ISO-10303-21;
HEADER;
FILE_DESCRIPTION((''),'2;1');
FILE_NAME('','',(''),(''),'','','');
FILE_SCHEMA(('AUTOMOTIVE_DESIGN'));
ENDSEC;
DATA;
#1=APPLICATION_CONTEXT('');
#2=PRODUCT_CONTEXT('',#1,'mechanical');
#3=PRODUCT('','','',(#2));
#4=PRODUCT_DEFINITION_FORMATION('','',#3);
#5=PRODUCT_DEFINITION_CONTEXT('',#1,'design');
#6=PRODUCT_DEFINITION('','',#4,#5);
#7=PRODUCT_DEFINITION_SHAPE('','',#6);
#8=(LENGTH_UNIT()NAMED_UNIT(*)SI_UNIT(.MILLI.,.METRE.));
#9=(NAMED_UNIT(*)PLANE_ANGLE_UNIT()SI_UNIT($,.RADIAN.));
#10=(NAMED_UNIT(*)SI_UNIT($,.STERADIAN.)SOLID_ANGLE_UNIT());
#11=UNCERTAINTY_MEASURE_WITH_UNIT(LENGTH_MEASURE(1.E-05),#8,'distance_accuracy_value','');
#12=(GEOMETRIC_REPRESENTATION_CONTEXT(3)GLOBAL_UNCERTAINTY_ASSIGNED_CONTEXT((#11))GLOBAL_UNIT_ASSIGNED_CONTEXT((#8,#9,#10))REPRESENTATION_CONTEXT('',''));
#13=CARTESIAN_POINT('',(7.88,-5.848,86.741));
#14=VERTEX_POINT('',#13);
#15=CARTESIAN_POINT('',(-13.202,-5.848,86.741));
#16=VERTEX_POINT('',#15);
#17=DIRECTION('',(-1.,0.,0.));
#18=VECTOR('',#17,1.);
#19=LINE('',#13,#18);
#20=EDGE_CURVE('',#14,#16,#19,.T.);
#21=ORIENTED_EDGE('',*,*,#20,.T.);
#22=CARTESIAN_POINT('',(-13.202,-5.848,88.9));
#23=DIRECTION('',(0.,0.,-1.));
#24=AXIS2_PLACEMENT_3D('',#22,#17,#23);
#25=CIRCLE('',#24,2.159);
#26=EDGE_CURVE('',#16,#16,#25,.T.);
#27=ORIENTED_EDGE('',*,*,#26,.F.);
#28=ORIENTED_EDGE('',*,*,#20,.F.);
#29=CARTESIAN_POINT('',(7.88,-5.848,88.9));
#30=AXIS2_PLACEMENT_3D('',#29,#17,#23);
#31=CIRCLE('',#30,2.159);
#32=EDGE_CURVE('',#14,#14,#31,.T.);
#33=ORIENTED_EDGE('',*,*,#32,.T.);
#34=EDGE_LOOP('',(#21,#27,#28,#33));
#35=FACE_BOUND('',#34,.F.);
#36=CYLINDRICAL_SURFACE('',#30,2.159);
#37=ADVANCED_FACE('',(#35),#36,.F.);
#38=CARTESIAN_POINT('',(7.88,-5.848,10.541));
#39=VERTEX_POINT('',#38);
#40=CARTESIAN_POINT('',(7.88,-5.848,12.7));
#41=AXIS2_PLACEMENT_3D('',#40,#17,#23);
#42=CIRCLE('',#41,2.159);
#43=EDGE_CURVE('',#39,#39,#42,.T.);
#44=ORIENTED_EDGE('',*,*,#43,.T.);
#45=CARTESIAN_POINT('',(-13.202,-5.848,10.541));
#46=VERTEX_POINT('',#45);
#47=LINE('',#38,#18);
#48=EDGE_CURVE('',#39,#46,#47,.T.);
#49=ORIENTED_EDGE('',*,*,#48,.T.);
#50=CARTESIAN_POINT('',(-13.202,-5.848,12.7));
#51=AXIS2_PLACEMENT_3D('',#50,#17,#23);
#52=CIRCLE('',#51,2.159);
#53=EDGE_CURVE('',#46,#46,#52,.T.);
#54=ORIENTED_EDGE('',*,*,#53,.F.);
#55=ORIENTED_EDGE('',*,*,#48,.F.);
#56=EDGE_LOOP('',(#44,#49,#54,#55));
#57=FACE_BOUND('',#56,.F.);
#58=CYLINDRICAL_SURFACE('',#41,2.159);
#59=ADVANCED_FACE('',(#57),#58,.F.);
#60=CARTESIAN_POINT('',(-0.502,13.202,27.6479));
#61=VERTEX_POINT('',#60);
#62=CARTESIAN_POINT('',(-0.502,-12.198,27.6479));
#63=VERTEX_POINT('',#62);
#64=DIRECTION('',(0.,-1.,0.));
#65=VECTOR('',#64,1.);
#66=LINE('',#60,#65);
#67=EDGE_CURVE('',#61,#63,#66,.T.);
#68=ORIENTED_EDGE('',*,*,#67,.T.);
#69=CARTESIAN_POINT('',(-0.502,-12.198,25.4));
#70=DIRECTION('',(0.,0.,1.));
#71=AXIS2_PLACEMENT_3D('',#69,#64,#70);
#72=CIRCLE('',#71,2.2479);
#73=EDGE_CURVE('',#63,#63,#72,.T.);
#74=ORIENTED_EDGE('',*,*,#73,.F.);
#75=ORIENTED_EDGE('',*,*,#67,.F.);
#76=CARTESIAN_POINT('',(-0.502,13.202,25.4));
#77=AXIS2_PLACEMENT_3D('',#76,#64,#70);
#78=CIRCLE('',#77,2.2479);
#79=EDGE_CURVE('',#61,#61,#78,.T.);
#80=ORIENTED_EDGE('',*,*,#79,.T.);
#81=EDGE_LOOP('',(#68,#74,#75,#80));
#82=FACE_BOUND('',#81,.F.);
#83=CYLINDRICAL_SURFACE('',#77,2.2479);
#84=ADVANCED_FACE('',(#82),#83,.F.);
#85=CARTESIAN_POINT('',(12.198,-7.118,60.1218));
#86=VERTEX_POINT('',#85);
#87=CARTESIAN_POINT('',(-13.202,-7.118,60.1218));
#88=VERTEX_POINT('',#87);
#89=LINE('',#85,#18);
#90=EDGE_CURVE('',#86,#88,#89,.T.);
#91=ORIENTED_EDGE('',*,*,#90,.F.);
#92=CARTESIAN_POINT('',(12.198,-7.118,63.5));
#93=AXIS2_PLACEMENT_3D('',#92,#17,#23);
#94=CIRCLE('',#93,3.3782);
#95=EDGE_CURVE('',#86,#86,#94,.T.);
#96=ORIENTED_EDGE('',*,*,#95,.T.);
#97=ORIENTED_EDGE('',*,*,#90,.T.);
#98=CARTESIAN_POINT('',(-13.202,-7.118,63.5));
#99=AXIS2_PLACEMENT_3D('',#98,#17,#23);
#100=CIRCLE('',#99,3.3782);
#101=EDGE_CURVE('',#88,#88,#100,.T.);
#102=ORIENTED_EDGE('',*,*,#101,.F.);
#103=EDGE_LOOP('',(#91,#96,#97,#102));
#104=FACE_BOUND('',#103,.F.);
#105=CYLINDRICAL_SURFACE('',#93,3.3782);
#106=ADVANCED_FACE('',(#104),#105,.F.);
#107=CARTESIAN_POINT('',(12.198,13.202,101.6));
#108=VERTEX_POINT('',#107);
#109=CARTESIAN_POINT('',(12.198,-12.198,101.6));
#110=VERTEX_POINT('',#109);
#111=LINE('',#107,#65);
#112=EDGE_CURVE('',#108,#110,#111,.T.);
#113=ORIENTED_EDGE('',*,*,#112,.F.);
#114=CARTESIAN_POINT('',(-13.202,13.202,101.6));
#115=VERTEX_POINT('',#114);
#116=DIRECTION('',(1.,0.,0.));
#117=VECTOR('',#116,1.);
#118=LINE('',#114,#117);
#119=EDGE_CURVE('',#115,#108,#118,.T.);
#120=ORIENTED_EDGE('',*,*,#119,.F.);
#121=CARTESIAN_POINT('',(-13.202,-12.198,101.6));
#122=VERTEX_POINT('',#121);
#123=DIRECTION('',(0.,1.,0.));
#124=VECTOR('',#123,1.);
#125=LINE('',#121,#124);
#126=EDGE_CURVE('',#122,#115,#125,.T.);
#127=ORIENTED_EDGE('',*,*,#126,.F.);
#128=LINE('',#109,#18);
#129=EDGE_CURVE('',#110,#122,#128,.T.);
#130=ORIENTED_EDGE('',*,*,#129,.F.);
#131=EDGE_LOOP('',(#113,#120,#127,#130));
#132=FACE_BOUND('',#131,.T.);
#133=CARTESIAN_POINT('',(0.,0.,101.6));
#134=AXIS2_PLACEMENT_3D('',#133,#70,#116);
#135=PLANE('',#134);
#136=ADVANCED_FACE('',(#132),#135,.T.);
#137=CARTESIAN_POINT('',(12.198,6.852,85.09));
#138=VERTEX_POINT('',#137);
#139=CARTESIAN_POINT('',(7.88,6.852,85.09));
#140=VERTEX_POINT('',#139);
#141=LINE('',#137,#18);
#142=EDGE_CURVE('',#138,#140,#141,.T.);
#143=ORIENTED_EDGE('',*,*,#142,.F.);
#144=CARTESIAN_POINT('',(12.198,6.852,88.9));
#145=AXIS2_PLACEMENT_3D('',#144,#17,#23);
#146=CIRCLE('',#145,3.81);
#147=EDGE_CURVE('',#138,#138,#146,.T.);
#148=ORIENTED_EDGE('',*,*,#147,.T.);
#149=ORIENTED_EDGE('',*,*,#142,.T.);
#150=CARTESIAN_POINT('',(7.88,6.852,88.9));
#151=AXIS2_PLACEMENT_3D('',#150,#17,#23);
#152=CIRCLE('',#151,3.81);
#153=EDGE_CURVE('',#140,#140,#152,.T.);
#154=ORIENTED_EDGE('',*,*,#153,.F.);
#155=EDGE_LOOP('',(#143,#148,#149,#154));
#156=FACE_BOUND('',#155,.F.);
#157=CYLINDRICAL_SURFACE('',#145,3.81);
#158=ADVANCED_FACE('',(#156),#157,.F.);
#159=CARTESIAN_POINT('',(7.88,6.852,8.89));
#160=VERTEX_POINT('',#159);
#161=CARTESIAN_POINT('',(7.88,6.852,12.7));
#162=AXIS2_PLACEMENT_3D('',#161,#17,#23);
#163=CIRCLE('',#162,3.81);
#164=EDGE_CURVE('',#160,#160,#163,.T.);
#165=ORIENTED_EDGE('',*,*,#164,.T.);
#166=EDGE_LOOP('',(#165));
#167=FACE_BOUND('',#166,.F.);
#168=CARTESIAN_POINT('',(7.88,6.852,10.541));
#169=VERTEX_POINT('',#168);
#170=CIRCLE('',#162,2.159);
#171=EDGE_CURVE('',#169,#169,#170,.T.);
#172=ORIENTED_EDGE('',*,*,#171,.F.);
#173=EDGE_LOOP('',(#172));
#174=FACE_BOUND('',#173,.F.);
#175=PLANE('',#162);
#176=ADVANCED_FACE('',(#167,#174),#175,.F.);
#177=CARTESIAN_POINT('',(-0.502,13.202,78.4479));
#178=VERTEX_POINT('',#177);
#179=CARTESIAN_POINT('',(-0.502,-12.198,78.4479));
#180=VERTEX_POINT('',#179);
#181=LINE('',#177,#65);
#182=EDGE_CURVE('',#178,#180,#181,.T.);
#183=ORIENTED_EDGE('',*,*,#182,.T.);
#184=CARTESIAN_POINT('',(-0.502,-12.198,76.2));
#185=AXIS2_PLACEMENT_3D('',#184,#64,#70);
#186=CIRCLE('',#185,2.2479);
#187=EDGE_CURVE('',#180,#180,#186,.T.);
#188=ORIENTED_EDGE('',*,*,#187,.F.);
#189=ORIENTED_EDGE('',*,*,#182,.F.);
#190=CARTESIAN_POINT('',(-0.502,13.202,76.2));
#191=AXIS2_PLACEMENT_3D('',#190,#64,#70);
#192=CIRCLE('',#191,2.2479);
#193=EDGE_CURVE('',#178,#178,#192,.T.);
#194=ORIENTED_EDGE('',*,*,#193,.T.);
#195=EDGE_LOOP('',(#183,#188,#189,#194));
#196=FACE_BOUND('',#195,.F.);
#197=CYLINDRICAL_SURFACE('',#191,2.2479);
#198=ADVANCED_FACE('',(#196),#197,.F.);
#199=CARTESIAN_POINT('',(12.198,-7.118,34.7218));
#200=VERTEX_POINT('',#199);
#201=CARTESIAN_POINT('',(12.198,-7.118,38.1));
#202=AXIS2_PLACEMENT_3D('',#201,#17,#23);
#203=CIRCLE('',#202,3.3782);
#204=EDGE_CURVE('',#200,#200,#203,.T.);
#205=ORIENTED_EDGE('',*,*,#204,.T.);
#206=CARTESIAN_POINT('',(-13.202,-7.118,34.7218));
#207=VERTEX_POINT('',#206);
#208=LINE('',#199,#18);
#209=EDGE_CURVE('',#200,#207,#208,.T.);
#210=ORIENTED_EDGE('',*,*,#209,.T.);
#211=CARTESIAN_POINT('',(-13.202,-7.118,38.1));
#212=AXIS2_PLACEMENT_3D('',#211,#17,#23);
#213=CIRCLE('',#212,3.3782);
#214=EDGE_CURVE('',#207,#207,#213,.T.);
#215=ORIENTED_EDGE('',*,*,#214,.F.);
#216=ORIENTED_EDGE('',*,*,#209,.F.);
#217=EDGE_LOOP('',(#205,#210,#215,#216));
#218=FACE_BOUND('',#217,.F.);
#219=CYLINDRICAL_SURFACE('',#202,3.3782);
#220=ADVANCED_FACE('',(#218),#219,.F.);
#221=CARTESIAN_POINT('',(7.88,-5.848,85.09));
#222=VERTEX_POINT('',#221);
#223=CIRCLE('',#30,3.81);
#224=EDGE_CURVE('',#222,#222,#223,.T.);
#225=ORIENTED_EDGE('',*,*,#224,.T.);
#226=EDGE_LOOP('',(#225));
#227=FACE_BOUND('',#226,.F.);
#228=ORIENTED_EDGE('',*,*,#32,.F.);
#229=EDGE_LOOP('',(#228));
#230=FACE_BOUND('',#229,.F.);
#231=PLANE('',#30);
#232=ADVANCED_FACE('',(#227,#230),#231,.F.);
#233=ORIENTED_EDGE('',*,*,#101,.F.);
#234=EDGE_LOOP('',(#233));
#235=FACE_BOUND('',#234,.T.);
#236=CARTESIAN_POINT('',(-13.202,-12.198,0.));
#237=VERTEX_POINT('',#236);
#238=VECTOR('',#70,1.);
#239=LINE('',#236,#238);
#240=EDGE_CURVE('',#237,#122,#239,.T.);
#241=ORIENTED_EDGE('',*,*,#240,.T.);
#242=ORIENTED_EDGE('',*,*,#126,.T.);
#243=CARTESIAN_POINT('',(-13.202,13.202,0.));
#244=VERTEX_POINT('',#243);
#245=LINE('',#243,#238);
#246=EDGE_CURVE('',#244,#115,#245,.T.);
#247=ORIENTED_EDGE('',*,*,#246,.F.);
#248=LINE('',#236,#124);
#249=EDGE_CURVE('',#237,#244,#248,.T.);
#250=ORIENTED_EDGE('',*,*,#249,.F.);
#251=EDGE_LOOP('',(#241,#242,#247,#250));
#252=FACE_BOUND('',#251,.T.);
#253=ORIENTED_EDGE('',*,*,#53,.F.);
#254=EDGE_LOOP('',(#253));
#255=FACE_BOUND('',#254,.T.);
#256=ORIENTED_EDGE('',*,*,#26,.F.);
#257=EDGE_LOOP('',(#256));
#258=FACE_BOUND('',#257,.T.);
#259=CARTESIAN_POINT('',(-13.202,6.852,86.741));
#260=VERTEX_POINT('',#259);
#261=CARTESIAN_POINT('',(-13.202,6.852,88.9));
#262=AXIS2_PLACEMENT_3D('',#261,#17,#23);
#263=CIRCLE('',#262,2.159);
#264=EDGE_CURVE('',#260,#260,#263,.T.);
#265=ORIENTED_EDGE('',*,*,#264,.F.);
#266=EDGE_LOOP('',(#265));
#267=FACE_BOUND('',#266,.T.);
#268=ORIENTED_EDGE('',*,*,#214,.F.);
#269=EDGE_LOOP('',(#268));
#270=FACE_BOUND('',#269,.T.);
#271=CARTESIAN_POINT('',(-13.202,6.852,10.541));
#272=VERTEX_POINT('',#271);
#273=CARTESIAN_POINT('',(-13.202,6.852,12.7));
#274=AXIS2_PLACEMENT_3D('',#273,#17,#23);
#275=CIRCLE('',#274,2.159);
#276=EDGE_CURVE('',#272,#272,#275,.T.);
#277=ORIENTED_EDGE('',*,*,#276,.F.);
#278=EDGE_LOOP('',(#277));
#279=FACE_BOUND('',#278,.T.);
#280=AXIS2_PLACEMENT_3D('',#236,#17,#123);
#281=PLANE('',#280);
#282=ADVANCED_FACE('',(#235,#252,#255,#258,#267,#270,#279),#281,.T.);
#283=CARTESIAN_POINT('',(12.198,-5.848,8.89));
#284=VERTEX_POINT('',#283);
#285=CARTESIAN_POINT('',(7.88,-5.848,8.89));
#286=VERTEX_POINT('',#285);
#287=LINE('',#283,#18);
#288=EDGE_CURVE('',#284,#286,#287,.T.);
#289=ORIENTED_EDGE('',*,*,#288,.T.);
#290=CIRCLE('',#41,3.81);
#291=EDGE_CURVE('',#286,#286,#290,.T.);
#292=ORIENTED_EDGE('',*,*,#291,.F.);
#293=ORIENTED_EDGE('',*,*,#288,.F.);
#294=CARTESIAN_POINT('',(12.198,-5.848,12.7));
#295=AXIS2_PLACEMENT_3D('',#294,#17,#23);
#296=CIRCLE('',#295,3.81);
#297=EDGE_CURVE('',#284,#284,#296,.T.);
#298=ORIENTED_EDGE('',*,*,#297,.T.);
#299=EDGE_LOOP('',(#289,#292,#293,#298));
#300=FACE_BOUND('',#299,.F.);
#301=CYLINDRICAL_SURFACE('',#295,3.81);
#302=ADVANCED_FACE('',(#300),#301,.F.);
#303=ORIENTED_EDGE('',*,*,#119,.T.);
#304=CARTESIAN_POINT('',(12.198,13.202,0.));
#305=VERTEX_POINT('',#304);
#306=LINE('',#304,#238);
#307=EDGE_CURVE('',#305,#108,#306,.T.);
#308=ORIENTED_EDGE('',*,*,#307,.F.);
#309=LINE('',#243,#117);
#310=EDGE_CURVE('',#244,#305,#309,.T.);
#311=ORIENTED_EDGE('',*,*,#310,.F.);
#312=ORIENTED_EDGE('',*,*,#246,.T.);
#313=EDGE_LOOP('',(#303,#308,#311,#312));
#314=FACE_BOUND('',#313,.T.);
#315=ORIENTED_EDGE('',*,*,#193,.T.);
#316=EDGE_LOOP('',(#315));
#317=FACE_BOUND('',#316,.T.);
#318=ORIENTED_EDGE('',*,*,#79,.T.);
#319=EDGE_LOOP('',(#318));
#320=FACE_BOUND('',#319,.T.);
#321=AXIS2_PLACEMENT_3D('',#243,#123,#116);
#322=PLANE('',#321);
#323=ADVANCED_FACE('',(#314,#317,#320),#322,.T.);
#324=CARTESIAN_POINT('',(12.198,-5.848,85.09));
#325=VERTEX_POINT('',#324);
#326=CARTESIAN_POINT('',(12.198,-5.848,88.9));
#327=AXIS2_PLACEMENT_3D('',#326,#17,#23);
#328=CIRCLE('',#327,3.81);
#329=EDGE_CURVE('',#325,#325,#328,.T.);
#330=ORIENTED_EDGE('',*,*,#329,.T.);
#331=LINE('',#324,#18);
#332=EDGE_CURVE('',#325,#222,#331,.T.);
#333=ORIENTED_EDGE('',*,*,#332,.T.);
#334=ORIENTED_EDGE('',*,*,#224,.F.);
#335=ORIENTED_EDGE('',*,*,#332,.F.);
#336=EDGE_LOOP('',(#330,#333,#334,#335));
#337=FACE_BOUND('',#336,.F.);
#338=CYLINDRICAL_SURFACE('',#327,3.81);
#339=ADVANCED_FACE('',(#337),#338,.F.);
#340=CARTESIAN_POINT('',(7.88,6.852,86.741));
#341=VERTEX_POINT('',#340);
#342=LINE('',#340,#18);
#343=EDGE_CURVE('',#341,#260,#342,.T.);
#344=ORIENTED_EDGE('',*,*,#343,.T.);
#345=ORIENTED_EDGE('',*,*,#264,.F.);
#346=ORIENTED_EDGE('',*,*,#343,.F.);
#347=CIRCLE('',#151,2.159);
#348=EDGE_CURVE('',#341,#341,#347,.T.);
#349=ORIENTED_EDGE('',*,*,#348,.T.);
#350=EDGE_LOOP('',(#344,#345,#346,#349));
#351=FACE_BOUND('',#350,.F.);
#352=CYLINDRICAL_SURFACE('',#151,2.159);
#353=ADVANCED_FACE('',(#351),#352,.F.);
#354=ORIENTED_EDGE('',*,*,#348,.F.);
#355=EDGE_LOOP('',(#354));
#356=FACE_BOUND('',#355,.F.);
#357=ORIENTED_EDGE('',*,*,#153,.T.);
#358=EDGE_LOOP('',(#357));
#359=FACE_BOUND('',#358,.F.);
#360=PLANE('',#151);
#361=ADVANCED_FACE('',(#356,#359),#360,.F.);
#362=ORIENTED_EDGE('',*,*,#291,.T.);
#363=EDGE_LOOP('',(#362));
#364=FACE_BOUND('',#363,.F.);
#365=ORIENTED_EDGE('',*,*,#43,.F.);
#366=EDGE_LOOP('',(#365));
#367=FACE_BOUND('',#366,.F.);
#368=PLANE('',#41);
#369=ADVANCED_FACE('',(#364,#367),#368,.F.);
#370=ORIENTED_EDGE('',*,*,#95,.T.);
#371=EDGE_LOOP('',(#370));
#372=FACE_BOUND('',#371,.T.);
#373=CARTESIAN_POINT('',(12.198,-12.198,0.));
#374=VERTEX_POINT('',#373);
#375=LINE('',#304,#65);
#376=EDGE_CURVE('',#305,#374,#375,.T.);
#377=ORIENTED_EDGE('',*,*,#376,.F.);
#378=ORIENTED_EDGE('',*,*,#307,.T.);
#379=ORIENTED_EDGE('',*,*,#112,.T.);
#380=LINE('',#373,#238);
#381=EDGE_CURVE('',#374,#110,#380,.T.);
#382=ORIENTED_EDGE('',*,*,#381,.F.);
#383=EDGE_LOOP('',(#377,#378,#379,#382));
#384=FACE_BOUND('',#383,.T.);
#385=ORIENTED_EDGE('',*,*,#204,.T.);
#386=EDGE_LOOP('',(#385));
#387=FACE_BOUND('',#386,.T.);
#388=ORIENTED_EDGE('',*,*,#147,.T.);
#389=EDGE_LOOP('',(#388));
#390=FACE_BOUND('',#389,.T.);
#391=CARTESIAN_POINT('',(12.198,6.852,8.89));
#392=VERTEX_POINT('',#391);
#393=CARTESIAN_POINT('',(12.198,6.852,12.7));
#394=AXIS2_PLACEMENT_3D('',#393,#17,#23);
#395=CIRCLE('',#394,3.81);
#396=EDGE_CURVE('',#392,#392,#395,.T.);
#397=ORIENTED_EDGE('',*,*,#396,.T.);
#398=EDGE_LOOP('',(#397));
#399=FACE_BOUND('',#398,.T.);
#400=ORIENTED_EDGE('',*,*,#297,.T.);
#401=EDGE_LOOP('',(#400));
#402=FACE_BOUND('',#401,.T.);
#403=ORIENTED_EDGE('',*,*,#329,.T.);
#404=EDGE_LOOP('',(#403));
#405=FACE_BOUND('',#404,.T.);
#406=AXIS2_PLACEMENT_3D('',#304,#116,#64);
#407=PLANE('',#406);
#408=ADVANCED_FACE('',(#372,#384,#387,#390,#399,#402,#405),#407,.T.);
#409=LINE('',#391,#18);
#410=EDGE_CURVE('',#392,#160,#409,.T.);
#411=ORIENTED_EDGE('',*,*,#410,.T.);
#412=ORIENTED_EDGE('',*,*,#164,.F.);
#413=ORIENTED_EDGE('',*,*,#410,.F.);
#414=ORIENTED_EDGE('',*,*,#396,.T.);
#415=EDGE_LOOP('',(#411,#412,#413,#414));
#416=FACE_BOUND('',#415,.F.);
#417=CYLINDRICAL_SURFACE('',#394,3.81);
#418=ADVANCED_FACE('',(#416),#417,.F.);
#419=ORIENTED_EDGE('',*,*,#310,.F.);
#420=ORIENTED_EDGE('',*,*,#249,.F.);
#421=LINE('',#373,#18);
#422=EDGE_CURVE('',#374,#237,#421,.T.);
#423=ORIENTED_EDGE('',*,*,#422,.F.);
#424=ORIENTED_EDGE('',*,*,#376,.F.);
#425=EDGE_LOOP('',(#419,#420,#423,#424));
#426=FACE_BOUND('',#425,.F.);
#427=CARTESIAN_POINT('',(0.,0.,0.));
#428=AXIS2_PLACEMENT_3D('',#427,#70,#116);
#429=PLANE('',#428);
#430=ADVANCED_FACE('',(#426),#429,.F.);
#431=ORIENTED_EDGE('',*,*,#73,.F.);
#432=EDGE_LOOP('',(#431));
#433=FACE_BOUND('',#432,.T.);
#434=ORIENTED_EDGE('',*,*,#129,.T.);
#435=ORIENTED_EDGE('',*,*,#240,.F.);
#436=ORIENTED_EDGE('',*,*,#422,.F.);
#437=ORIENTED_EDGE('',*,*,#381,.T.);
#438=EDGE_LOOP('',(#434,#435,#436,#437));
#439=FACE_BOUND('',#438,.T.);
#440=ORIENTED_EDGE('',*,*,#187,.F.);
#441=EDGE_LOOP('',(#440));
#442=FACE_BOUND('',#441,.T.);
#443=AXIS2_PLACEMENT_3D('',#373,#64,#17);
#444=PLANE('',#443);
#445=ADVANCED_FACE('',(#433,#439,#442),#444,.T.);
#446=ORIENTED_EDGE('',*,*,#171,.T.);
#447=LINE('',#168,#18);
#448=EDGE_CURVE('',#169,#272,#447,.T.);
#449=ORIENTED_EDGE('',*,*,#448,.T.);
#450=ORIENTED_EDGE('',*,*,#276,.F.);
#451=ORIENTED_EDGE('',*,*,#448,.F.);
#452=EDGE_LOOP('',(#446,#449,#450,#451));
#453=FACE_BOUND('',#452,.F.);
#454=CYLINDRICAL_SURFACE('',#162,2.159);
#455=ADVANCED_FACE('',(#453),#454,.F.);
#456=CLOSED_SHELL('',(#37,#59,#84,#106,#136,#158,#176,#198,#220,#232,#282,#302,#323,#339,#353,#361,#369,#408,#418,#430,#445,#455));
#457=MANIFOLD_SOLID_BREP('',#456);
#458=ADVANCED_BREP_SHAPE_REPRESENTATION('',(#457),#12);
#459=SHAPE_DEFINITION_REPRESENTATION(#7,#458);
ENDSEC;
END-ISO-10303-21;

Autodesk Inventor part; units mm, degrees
ref_plane "YZ Plane" through (0, 0, 0) normal (1, 0, 0) x (0, 1, 0)
ref_plane "XZ Plane" through (0, 0, 0) normal (0, 1, 0) x (-1, 0, 0)
ref_plane "XY Plane" through (0, 0, 0) normal (0, 0, 1) x (1, 0, 0)
sketch "Sketch1" plane through (0, 0, 0) normal (0, 0, 1) x (1, 0, 0)
  line L0 (-13.202, 13.202) -> (12.198, 13.202)
  line L1 (12.198, 13.202) -> (12.198, -12.198)
  line L2 (12.198, -12.198) -> (-13.202, -12.198)
  line L3 (-13.202, -12.198) -> (-13.202, 13.202)
  point P0 (0, 0)
  dimension "d0" = 25.4
  dimension "d1" = 25.4
extrude "Extrusion1" add sketch "Sketch1" along normal blind 101.6
sketch "Sketch6" plane through (12.198, 13.202, 101.6) normal (1, 0, 0) x (0, 0, -1)
  line L0 (101.6, 0) -> (101.6, -25.4) projected
  line L1 (101.6, -25.4) -> (0, -25.4) projected
  line L2 (101.6, 0) -> (101.6, -25.4) projected
  line L3 (101.6, 0) -> (0, 0) projected
  line L4 (0, -25.4) -> (0, 0) projected
  line L5 (0, -25.4) -> (0, 0) projected
  point P0 (101.6, -13.202)
  point P1 (88.9, -6.35)
  point P2 (88.9, -19.05)
  point P3 (101.6, -19.05)
  point P4 (101.6, -6.35)
  point P5 (12.7, -6.35)
  point P6 (12.7, -19.05)
  point P7 (0, -19.05)
  point P8 (0, -6.35)
  dimension "d51" = 12.7
  dimension "d52" = 6.35
  dimension "d53" = 12.7
  dimension "d54" = 6.35
  dimension "d55" = 12.7
  dimension "d56" = 6.35
  dimension "d57" = 12.7
  dimension "d58" = 6.35
hole "Hole5" at (12.198, 6.852, 12.7) at (12.198, -5.848, 12.7) at (12.198, 6.852, 88.9) at (12.198, -5.848, 88.9) direction (-1, 0, 0) diameter 4.318 end through all counterbore diameter 7.62 counterbore depth 4.318
sketch "Sketch9" plane through (-13.202, 13.202, 0) normal (0, 1, 0) x (1, 0, 0)
  line L0 (0, 0) -> (0, -101.6) projected
  line L1 (0, 0) -> (25.4, 0) projected
  line L2 (25.4, -101.6) -> (0, -101.6) projected
  point P0 (13.202, 0)
  point P1 (12.7, -25.4)
  point P2 (12.7, -76.2)
  dimension "d101" = 12.7
  dimension "d102" = 12.7
  dimension "d103" = 25.4
  dimension "d104" = 25.4
hole "Hole6" at (-0.502, 13.202, 25.4) at (-0.502, 13.202, 76.2) direction (0, -1, 0) diameter 4.4958 end through all clearance for "Flat Head Machine Screw (82)" size "#8" standard "Ansi Unified Screw Threads"
sketch "Sketch10" plane through (12.198, -12.198, 0) normal (1, 0, 0) x (0, 0, -1)
  line L0 (-101.6, 0) -> (-101.6, 25.4) projected
  line L1 (0, 25.4) -> (0, 0) projected
  line L2 (0, 0) -> (-101.6, 0) projected
  point P0 (0, 12.198)
  point P1 (-63.5, 5.08)
  point P2 (-38.1, 5.08)
  dimension "d112" = 38.1
  dimension "d113" = 38.1
  dimension "d114" = 5.08
  dimension "d115" = 5.08
hole "Hole7" at (12.198, -7.118, 63.5) at (12.198, -7.118, 38.1) direction (-1, 0, 0) diameter 6.7564 end through all clearance for "Flat Head Machine Screw (82)" size "1/4" standard "Ansi Unified Screw Threads"
properties part number "BackEndSlider"
